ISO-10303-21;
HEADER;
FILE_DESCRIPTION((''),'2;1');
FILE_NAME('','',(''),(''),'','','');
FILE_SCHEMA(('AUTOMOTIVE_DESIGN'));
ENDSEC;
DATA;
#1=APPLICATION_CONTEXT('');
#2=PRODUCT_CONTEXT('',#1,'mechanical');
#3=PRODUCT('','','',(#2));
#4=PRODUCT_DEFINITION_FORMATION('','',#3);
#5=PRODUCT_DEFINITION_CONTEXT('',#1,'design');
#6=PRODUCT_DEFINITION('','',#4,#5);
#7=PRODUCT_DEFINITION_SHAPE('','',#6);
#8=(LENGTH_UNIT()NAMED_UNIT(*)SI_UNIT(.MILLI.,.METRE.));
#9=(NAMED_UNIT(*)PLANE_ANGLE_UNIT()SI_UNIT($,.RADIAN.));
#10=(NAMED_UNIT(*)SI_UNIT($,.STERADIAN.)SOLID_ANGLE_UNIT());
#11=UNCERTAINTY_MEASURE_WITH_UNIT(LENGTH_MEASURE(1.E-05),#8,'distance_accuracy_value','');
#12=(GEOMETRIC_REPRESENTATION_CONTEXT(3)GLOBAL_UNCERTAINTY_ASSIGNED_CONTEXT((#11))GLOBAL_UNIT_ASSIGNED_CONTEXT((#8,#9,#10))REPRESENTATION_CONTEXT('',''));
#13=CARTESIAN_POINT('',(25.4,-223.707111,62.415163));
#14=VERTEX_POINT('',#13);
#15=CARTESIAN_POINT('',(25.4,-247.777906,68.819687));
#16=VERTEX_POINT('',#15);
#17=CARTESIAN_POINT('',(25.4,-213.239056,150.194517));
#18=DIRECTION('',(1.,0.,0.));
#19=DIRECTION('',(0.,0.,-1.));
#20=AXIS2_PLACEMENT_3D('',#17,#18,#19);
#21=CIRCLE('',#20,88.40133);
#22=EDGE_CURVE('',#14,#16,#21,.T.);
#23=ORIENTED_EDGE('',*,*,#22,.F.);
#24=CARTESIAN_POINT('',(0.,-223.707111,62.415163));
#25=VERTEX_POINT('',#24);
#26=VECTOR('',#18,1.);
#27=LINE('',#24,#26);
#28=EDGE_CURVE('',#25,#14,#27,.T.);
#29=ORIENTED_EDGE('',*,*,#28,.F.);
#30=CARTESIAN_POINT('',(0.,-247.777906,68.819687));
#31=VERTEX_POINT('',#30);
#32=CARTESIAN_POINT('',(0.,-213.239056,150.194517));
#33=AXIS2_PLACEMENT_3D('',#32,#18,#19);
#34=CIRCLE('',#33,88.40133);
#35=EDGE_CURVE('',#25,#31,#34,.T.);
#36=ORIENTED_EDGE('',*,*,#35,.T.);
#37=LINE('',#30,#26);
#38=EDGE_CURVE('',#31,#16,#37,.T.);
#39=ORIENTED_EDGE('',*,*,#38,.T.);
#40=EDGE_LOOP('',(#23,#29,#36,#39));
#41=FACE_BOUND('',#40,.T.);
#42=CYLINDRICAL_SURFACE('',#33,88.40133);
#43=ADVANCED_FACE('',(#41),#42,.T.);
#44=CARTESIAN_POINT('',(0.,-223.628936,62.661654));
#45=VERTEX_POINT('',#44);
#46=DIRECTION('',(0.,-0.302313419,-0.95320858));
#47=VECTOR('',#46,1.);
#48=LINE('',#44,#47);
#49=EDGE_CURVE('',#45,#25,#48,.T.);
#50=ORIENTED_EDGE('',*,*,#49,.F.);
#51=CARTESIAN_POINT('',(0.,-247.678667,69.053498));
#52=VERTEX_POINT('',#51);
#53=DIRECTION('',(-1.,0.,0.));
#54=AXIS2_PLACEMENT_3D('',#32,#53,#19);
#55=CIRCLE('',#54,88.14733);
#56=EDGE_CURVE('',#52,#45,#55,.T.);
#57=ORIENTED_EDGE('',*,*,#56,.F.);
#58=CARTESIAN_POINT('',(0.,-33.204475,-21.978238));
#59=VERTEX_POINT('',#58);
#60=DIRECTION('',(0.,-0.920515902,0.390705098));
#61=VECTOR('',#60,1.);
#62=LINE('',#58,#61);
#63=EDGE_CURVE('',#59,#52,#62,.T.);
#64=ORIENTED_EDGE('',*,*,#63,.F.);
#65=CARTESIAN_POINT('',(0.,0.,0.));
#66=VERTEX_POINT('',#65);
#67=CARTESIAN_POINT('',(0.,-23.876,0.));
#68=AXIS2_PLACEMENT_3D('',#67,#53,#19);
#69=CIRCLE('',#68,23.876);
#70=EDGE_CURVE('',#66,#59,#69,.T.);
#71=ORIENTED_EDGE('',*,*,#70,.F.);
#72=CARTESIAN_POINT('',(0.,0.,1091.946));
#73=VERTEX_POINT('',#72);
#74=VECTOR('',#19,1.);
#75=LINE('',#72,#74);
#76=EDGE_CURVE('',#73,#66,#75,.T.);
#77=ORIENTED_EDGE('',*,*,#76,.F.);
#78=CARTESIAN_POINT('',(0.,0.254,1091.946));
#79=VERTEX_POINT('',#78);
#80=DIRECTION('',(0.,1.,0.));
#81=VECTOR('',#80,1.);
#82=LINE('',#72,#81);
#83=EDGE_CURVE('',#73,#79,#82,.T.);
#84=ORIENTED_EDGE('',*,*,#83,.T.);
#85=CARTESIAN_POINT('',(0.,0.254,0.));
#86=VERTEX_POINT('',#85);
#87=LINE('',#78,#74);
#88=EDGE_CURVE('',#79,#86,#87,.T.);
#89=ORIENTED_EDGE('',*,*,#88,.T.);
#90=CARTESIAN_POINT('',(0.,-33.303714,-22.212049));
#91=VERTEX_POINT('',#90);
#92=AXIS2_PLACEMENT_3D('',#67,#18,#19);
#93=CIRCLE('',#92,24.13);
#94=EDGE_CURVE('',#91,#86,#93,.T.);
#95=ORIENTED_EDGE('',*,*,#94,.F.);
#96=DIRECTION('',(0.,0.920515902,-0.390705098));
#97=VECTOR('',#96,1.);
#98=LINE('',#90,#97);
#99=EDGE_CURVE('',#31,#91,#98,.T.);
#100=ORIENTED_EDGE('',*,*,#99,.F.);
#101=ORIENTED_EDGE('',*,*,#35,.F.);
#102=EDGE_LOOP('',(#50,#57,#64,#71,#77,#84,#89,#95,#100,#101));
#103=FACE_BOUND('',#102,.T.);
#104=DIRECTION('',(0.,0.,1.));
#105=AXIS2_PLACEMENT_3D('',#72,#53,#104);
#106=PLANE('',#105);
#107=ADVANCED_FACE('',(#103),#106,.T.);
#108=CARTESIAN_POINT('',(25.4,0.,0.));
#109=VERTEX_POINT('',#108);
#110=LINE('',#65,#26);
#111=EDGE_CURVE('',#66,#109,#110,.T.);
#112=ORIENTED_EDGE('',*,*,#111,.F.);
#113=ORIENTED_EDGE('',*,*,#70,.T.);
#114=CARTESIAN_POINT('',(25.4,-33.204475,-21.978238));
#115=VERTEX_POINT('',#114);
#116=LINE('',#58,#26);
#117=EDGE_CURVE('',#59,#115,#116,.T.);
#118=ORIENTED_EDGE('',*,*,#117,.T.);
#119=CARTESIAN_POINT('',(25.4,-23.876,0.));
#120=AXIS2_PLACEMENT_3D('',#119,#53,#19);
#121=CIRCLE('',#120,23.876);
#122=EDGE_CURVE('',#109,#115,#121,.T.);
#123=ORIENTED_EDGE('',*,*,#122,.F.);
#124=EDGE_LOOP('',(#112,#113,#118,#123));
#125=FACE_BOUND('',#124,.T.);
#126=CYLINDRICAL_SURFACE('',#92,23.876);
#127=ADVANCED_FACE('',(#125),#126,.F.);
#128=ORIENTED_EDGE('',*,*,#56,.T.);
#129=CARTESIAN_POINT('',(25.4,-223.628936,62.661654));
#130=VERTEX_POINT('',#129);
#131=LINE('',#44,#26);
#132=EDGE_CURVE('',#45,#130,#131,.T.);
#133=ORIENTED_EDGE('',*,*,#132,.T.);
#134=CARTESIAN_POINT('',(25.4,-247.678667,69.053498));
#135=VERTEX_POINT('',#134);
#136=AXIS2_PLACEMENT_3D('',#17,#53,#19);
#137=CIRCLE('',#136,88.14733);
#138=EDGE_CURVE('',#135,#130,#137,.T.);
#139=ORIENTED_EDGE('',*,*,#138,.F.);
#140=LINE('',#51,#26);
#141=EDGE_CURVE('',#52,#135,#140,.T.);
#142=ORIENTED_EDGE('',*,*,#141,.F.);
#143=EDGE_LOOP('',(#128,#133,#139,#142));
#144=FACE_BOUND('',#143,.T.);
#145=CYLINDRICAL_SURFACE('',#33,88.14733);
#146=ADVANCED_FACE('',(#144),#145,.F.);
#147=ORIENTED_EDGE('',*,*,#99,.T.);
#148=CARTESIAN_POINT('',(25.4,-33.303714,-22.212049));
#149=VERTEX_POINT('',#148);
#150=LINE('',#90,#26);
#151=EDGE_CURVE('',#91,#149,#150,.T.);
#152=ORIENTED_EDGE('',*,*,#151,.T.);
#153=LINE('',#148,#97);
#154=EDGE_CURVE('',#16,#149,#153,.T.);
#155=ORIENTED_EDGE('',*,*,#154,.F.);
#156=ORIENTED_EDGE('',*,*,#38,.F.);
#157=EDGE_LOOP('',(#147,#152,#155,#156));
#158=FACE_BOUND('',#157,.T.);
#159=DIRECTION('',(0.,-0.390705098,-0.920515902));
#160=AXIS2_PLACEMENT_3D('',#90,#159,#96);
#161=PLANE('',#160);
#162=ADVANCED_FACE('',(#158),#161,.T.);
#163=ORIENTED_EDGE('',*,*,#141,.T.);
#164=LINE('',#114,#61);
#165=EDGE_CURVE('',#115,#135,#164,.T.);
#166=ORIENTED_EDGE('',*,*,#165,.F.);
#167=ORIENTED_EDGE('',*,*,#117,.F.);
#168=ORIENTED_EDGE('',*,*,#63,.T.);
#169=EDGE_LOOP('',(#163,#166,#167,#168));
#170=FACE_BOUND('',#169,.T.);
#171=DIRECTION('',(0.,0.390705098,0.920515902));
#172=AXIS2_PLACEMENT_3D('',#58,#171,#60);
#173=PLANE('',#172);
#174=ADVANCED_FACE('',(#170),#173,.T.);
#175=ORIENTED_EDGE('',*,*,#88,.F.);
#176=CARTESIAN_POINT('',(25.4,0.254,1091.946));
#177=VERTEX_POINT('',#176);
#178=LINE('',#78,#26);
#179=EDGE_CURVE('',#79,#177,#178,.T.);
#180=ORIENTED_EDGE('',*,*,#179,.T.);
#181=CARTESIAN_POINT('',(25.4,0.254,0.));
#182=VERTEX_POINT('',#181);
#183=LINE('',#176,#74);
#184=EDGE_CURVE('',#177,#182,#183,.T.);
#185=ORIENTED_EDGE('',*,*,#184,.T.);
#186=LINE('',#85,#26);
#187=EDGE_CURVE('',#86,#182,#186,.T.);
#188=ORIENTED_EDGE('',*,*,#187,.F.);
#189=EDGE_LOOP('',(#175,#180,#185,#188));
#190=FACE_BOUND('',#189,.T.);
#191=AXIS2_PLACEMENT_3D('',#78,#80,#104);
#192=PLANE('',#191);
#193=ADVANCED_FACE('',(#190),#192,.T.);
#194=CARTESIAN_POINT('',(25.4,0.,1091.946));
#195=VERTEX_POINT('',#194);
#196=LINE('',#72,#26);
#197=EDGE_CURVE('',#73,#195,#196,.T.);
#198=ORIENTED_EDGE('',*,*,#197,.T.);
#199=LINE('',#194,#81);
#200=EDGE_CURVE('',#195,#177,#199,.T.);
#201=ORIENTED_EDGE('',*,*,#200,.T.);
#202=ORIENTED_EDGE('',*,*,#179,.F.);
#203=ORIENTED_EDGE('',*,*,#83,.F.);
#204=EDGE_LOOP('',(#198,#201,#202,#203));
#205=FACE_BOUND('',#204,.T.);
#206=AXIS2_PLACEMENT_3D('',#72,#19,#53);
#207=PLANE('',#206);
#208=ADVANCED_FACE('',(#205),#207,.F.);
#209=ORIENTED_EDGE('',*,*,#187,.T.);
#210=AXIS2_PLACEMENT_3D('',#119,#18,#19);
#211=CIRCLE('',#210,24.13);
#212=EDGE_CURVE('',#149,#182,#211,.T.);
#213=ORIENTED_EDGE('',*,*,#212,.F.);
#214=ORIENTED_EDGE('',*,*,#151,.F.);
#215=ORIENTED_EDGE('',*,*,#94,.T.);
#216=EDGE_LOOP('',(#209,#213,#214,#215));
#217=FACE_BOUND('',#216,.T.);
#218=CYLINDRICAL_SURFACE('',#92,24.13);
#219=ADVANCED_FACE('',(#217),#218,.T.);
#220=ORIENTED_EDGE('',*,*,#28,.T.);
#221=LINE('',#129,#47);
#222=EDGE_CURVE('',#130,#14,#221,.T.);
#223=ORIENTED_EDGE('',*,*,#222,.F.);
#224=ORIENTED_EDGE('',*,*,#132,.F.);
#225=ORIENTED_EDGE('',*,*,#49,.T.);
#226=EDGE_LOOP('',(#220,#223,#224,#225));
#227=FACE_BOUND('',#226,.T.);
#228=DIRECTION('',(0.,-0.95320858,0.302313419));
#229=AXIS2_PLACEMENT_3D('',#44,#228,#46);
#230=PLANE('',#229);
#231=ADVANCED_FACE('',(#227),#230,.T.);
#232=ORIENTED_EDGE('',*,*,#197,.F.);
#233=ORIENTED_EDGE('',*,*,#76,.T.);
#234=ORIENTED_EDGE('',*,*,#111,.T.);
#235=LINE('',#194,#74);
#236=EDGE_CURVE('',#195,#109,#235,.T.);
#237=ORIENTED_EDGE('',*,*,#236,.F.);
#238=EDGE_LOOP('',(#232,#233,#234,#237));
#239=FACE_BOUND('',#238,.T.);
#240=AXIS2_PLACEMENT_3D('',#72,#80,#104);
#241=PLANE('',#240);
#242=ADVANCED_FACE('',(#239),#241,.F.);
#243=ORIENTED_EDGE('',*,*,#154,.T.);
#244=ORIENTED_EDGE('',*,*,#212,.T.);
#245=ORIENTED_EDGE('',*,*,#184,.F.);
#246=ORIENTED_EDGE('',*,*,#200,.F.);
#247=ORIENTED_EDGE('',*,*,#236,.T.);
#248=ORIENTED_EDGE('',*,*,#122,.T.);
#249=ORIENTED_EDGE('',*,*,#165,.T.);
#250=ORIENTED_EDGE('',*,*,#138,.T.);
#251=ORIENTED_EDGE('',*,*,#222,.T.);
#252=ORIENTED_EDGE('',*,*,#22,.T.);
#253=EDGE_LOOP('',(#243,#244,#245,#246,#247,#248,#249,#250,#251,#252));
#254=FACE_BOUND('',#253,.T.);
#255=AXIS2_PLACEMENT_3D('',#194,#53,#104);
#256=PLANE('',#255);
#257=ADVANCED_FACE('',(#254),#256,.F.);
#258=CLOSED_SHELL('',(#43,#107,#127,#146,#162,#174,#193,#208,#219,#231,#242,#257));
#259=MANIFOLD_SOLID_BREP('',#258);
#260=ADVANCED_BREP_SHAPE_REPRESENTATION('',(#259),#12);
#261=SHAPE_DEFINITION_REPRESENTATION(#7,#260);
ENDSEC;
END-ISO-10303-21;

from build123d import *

# Parameters (mm, degrees)
SKETCH1_W           = 25.4
SKETCH1_H           = 0.254
BOSS_EXTRUDE1_DEPTH = 1091.946
BOSS_EXTRUDE4_DEPTH = 25.4


with BuildPart() as part:
    # Sketch1 → Boss-Extrude1 (new body)
    with BuildSketch(Plane.XY):
        with Locations((12.7, 0.127)):
            Rectangle(SKETCH1_W, SKETCH1_H)
    extrude(amount=BOSS_EXTRUDE1_DEPTH)

    # Sketch2 → Boss-Extrude4 (add)
    with BuildSketch(Plane(origin=(25.4, 0, 0), x_dir=(0, 0, -1), z_dir=(1, 0, 0))):
        with BuildLine():
            Line((21.978237679, -33.20447493), (-69.053498166, -247.6786673))
            ThreePointArc((-69.053498166, -247.6786673), (-235.384405248, -190.597617752), (-62.661653687, -223.628935639))
            Line((-62.661653687, -223.628935639), (-62.415163254, -223.707110938))
            ThreePointArc((-62.415163254, -223.707110938), (-235.623641363, -190.508902989), (-68.819687127, -247.777906395))
            Line((-68.819687127, -247.777906395), (22.212048718, -33.303714025))
            ThreePointArc((22.212048718, -33.303714025), (20.121476579, -10.557476047), (0, 0.254))
            Line((0, 0.254), (0, 0))
            ThreePointArc((0, 0), (19.909671562, -10.697671036), (21.978237679, -33.20447493))
        make_face()
    extrude(amount=-BOSS_EXTRUDE4_DEPTH)


solid = part.part
